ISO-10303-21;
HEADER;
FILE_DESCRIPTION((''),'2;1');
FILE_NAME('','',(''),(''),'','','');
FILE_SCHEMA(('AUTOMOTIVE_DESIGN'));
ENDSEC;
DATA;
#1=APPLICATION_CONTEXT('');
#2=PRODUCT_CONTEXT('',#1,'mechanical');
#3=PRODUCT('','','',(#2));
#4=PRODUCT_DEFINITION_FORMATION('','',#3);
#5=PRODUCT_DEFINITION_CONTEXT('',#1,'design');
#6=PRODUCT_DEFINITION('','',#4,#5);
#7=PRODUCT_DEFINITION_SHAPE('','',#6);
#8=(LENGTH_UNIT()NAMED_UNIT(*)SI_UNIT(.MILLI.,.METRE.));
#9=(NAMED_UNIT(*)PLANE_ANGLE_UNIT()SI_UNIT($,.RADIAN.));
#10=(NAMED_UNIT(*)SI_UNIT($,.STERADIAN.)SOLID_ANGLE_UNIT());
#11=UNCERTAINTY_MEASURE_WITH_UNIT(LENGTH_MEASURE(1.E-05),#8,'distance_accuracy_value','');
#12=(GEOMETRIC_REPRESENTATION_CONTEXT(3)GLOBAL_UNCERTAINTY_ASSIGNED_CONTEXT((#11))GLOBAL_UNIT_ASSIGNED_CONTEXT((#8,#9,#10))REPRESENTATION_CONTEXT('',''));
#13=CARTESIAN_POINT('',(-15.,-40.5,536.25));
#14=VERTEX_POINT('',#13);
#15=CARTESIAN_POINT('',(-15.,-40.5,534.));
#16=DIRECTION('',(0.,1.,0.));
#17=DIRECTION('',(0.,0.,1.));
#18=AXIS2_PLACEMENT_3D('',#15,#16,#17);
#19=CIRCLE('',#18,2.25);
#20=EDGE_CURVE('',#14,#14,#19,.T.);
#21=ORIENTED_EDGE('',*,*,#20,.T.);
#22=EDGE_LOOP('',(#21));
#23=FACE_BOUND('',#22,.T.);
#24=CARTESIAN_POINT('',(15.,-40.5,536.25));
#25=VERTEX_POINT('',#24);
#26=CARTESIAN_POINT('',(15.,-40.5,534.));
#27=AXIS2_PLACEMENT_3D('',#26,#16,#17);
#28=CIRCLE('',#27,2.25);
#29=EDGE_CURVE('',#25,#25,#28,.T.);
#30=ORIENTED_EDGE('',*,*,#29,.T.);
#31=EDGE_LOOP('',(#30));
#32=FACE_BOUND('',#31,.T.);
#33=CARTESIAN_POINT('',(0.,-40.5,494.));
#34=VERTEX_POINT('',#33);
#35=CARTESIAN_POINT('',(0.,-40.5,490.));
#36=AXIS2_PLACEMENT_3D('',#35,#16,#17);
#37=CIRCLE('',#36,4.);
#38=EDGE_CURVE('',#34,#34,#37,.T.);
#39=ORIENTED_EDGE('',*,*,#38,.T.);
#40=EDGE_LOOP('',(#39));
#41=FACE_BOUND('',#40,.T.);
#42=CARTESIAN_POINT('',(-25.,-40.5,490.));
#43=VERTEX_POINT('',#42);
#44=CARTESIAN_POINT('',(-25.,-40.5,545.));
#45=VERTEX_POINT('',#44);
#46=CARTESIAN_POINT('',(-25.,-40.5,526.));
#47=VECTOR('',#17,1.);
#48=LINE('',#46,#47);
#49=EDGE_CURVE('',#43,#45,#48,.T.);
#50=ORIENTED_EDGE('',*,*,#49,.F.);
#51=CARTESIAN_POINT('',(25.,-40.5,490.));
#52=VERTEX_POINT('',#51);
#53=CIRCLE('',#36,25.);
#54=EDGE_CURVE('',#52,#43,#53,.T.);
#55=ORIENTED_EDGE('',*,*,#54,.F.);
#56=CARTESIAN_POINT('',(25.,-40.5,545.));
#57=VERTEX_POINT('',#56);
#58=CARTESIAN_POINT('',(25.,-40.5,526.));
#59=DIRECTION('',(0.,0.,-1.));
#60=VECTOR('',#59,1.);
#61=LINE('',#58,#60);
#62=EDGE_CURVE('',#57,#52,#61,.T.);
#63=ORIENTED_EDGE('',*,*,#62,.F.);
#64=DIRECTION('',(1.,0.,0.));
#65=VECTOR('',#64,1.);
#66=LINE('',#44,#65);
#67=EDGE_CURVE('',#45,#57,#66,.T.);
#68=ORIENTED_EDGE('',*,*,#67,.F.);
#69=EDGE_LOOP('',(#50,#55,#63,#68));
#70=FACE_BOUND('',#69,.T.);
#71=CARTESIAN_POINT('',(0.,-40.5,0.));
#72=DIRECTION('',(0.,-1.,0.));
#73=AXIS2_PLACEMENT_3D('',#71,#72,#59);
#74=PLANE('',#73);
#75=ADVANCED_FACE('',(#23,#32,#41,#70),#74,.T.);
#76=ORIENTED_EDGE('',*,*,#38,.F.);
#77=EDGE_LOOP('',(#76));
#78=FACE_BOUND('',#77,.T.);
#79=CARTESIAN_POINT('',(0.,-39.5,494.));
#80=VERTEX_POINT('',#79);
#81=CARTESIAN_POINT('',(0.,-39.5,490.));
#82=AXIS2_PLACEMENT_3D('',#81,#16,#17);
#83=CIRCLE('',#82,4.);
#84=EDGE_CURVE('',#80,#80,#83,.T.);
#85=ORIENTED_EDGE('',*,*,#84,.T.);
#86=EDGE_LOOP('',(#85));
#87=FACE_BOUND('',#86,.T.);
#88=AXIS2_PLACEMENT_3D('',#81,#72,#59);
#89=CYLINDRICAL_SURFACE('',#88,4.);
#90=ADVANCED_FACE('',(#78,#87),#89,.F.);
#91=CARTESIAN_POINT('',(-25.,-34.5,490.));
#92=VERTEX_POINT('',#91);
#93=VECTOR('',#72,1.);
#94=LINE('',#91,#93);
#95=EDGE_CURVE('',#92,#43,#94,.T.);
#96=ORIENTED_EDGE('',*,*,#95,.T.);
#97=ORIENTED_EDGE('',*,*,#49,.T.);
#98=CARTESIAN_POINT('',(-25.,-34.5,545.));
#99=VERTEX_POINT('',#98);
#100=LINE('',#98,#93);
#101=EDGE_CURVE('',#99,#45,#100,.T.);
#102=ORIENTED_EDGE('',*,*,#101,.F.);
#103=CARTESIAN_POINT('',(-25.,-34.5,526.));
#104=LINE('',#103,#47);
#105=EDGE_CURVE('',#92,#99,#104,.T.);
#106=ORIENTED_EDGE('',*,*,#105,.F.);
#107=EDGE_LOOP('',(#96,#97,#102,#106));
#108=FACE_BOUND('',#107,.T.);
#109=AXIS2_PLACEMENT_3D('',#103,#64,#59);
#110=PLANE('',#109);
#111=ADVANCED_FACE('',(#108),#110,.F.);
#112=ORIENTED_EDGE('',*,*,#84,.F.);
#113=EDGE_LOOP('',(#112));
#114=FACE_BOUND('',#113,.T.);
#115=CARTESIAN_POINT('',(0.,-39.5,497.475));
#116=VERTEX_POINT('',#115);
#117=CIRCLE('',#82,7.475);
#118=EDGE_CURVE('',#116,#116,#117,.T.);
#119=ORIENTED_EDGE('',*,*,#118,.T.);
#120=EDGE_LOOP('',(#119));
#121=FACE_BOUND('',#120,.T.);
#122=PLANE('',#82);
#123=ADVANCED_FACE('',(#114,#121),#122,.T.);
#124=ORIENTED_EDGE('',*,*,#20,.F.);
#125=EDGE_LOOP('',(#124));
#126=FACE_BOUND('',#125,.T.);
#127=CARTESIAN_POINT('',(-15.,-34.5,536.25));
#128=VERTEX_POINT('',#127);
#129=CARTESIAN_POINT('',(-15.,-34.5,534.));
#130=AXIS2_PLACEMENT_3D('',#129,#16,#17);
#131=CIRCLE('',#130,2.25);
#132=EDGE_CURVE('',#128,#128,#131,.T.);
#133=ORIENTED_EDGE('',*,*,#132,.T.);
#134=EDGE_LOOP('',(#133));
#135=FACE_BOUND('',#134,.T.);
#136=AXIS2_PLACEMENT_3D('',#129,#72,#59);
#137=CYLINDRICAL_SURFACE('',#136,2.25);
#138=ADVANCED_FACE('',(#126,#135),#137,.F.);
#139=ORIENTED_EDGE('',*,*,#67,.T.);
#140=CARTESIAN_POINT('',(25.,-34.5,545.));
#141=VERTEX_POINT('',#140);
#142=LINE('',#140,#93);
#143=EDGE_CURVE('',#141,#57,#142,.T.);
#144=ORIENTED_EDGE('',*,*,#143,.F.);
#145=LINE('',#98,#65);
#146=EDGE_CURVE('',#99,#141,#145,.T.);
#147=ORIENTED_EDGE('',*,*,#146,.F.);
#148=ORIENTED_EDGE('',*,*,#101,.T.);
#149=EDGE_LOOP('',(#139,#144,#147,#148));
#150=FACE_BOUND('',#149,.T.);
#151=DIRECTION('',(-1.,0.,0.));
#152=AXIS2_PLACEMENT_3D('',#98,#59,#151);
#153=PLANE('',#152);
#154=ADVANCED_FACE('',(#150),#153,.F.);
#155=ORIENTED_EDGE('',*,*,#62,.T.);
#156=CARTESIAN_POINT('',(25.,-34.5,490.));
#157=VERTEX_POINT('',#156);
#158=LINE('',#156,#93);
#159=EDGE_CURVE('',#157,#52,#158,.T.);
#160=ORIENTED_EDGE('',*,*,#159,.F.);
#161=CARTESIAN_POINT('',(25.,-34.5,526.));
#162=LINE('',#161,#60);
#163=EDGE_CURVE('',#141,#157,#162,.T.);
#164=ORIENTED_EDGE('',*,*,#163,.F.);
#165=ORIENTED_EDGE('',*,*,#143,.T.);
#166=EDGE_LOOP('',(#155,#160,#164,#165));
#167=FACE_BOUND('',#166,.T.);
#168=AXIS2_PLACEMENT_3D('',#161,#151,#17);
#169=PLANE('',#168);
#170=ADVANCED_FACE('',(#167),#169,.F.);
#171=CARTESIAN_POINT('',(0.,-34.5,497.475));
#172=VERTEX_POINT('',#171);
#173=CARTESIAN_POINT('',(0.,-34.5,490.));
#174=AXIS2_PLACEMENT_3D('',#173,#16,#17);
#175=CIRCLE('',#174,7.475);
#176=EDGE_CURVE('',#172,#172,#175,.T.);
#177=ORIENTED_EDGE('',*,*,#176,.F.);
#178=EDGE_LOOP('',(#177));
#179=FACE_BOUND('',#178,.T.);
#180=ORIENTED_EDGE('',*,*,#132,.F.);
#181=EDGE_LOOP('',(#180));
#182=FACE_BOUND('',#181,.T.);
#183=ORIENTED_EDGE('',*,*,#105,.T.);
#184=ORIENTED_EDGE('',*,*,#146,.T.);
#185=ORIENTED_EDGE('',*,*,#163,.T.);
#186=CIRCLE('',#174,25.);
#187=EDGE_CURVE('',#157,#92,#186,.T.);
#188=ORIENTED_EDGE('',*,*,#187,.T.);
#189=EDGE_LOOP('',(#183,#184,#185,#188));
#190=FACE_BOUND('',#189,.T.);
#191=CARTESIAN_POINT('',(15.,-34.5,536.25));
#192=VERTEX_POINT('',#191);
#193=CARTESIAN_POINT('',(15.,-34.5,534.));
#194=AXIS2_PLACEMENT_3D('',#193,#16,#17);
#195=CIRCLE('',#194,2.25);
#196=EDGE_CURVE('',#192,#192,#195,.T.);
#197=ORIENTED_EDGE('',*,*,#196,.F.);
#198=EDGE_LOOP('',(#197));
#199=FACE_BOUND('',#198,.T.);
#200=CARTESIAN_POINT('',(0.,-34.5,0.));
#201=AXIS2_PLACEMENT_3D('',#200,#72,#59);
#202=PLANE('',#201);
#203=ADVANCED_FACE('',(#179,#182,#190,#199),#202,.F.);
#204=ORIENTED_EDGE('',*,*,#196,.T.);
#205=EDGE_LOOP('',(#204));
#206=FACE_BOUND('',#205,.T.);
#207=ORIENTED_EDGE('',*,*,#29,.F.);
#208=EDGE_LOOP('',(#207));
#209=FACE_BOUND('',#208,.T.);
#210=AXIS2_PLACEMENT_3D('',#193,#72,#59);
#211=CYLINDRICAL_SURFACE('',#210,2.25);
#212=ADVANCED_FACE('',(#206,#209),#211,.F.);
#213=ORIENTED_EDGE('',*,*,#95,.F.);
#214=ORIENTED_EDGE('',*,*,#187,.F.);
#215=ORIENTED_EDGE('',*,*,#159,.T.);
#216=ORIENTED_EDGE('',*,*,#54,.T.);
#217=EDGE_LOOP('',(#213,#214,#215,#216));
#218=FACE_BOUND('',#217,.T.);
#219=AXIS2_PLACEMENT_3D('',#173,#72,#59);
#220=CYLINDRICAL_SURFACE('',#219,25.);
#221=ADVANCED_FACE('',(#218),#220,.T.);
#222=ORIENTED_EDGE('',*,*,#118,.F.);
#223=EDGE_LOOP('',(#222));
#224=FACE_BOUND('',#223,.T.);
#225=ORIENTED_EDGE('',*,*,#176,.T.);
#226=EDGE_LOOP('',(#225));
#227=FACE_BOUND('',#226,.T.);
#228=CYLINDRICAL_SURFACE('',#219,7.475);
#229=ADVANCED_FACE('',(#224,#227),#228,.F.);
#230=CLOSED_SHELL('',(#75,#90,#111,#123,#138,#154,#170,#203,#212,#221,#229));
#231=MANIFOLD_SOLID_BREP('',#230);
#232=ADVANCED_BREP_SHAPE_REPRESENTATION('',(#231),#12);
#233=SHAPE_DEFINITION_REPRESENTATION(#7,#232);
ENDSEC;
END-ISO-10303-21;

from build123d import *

# Parameters (mm, degrees)
PLACA_START              = -40.5
SK_PLACA_W               = 50
SK_PLACA_H               = 36
PLACA_DEPTH              = 6
EXTREMO_START            = -40.5
SK_EXTREMO_R             = 25
EXTREMO_DEPTH            = 6
ALOJAMIENTO_696ZZ_START  = -39.5
SK_ALOJAMIENTO_696ZZ_R   = 7.475
ALOJAMIENTO_696ZZ_DEPTH  = 5
PASO_EXTRACTOR_START     = -40.5
SK_PASO_EXTRACTOR_R      = 4
PASO_EXTRACTOR_DEPTH     = 1
EXTENSION_PESTANAS_START = -40.5
SK_EXTENSION_PESTANAS_W  = 50
SK_EXTENSION_PESTANAS_H  = 19
EXTENSION_PESTANAS_DEPTH = 6
PASANTES_M4_REPISA_START = -40.5
SK_PASANTES_M4_REPISA_R  = 2.25
PASANTES_M4_REPISA_DEPTH = 6


with BuildPart() as part:
    # Sk_Placa → Placa (new body)
    with BuildSketch(Plane(origin=(0, 0, 0), x_dir=(1, 0, 0), z_dir=(0, 1, 0)).offset(PLACA_START)):
        with Locations((0, -508)):
            Rectangle(SK_PLACA_W, SK_PLACA_H)
    extrude(amount=PLACA_DEPTH)

    # Sk_Extremo → Extremo (add)
    with BuildSketch(Plane(origin=(0, 0, 0), x_dir=(1, 0, 0), z_dir=(0, 1, 0)).offset(EXTREMO_START)):
        with Locations((0, -490)):
            Circle(SK_EXTREMO_R)
    extrude(amount=EXTREMO_DEPTH)

    # Sk_Alojamiento_696ZZ → Alojamiento_696ZZ (cut)
    with BuildSketch(Plane(origin=(0, 0, 0), x_dir=(1, 0, 0), z_dir=(0, 1, 0)).offset(ALOJAMIENTO_696ZZ_START)):
        with Locations(Location((0, -490, 0), (0, 0, 270))):
            Circle(SK_ALOJAMIENTO_696ZZ_R)
    extrude(amount=ALOJAMIENTO_696ZZ_DEPTH, mode=Mode.SUBTRACT)

    # Sk_Paso_extractor → Paso_extractor (cut)
    with BuildSketch(Plane(origin=(0, 0, 0), x_dir=(1, 0, 0), z_dir=(0, 1, 0)).offset(PASO_EXTRACTOR_START)):
        with Locations(Location((0, -490, 0), (0, 0, 270))):
            Circle(SK_PASO_EXTRACTOR_R)
    extrude(amount=PASO_EXTRACTOR_DEPTH, mode=Mode.SUBTRACT)

    # Sk_Extension_pestanas → Extension_pestanas (add)
    with BuildSketch(Plane(origin=(0, 0, 0), x_dir=(1, 0, 0), z_dir=(0, 1, 0)).offset(EXTENSION_PESTANAS_START)):
        with Locations((0, -535.5)):
            Rectangle(SK_EXTENSION_PESTANAS_W, SK_EXTENSION_PESTANAS_H)
    extrude(amount=EXTENSION_PESTANAS_DEPTH)

    # Sk_Pasantes_M4_repisa → Pasantes_M4_repisa (cut)
    with BuildSketch(Plane(origin=(0, 0, 0), x_dir=(1, 0, 0), z_dir=(0, 1, 0)).offset(PASANTES_M4_REPISA_START)):
        with Locations(Location((-15, -534, 0), (0, 0, 270))):
            Circle(SK_PASANTES_M4_REPISA_R)
        with Locations(Location((15, -534, 0), (0, 0, 270))):
            Circle(SK_PASANTES_M4_REPISA_R)
    extrude(amount=PASANTES_M4_REPISA_DEPTH, mode=Mode.SUBTRACT)


solid = part.part
